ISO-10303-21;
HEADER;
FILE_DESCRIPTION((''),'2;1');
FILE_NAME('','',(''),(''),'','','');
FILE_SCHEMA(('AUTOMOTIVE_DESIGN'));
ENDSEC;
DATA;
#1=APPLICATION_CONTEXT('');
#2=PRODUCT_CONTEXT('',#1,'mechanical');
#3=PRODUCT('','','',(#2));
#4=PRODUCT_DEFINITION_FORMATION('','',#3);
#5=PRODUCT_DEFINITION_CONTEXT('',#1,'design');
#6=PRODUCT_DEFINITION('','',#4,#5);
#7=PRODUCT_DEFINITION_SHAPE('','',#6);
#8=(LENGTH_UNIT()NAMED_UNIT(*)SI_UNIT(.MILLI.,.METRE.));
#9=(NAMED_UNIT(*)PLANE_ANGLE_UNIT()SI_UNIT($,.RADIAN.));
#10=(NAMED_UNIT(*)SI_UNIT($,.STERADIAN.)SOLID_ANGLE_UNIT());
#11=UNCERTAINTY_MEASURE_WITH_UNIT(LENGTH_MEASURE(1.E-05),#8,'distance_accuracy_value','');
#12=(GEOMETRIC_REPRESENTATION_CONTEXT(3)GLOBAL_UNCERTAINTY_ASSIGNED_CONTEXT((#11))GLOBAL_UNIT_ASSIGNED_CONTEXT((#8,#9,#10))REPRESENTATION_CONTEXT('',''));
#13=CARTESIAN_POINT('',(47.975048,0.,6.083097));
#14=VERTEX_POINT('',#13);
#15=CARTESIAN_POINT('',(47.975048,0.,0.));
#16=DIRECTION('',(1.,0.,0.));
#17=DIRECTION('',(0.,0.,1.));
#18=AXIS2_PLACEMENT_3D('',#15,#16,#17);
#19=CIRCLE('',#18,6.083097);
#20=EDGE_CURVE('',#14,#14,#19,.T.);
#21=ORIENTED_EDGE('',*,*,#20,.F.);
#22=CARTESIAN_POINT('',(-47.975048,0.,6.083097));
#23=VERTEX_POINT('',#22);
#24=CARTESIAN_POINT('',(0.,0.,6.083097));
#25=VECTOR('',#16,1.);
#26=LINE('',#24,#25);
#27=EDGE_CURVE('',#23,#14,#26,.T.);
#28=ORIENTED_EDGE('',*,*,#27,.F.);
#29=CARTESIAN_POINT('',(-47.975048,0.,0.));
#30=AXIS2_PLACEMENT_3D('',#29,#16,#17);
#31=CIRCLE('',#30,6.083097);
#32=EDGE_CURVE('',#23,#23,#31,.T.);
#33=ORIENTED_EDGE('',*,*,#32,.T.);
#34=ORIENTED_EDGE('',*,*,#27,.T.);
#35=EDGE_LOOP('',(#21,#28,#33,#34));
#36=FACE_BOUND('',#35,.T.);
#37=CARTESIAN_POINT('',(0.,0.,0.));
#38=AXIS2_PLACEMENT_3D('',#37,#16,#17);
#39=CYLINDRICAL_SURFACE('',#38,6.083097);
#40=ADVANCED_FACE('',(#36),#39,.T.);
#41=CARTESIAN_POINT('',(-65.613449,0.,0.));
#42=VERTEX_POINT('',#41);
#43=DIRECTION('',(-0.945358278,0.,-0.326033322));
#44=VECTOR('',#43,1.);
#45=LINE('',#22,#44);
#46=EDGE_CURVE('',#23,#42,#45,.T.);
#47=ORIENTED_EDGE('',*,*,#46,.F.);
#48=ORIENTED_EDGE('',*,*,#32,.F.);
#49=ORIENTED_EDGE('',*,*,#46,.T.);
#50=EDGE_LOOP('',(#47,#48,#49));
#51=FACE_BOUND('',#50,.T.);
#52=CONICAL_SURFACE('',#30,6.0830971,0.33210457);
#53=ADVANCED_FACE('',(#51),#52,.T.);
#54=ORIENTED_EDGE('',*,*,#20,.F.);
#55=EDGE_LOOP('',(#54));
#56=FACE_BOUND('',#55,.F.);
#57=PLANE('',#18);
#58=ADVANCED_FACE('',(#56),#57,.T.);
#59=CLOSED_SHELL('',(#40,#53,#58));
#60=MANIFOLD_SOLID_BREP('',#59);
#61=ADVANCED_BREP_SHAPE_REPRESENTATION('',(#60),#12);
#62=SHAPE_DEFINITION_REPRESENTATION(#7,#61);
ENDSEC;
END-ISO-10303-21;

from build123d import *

# Parameters (mm, degrees)
F0_W = 95.9500968456
F0_H = 6.0830971001


with BuildPart() as f1:
    # F0 (on Front) → F1 (revolve)
    with BuildSketch(Plane.XZ):
        with Locations((0, 3.04154855)):
            Rectangle(F0_W, F0_H)
    revolve(axis=Axis((0, 0, 0), (1, 0, 0)))

    # F0 (on Front) → F2 (revolve)
    with BuildSketch(Plane.XZ):
        Polygon((-65.6134485961, 0), (-47.9750484228, 0), (-47.9750484228, 6.0830971001), align=None)
    revolve(axis=Axis((-56.7942485095, 0, 0), (-1, 0, 0)))


solid = f1.part
